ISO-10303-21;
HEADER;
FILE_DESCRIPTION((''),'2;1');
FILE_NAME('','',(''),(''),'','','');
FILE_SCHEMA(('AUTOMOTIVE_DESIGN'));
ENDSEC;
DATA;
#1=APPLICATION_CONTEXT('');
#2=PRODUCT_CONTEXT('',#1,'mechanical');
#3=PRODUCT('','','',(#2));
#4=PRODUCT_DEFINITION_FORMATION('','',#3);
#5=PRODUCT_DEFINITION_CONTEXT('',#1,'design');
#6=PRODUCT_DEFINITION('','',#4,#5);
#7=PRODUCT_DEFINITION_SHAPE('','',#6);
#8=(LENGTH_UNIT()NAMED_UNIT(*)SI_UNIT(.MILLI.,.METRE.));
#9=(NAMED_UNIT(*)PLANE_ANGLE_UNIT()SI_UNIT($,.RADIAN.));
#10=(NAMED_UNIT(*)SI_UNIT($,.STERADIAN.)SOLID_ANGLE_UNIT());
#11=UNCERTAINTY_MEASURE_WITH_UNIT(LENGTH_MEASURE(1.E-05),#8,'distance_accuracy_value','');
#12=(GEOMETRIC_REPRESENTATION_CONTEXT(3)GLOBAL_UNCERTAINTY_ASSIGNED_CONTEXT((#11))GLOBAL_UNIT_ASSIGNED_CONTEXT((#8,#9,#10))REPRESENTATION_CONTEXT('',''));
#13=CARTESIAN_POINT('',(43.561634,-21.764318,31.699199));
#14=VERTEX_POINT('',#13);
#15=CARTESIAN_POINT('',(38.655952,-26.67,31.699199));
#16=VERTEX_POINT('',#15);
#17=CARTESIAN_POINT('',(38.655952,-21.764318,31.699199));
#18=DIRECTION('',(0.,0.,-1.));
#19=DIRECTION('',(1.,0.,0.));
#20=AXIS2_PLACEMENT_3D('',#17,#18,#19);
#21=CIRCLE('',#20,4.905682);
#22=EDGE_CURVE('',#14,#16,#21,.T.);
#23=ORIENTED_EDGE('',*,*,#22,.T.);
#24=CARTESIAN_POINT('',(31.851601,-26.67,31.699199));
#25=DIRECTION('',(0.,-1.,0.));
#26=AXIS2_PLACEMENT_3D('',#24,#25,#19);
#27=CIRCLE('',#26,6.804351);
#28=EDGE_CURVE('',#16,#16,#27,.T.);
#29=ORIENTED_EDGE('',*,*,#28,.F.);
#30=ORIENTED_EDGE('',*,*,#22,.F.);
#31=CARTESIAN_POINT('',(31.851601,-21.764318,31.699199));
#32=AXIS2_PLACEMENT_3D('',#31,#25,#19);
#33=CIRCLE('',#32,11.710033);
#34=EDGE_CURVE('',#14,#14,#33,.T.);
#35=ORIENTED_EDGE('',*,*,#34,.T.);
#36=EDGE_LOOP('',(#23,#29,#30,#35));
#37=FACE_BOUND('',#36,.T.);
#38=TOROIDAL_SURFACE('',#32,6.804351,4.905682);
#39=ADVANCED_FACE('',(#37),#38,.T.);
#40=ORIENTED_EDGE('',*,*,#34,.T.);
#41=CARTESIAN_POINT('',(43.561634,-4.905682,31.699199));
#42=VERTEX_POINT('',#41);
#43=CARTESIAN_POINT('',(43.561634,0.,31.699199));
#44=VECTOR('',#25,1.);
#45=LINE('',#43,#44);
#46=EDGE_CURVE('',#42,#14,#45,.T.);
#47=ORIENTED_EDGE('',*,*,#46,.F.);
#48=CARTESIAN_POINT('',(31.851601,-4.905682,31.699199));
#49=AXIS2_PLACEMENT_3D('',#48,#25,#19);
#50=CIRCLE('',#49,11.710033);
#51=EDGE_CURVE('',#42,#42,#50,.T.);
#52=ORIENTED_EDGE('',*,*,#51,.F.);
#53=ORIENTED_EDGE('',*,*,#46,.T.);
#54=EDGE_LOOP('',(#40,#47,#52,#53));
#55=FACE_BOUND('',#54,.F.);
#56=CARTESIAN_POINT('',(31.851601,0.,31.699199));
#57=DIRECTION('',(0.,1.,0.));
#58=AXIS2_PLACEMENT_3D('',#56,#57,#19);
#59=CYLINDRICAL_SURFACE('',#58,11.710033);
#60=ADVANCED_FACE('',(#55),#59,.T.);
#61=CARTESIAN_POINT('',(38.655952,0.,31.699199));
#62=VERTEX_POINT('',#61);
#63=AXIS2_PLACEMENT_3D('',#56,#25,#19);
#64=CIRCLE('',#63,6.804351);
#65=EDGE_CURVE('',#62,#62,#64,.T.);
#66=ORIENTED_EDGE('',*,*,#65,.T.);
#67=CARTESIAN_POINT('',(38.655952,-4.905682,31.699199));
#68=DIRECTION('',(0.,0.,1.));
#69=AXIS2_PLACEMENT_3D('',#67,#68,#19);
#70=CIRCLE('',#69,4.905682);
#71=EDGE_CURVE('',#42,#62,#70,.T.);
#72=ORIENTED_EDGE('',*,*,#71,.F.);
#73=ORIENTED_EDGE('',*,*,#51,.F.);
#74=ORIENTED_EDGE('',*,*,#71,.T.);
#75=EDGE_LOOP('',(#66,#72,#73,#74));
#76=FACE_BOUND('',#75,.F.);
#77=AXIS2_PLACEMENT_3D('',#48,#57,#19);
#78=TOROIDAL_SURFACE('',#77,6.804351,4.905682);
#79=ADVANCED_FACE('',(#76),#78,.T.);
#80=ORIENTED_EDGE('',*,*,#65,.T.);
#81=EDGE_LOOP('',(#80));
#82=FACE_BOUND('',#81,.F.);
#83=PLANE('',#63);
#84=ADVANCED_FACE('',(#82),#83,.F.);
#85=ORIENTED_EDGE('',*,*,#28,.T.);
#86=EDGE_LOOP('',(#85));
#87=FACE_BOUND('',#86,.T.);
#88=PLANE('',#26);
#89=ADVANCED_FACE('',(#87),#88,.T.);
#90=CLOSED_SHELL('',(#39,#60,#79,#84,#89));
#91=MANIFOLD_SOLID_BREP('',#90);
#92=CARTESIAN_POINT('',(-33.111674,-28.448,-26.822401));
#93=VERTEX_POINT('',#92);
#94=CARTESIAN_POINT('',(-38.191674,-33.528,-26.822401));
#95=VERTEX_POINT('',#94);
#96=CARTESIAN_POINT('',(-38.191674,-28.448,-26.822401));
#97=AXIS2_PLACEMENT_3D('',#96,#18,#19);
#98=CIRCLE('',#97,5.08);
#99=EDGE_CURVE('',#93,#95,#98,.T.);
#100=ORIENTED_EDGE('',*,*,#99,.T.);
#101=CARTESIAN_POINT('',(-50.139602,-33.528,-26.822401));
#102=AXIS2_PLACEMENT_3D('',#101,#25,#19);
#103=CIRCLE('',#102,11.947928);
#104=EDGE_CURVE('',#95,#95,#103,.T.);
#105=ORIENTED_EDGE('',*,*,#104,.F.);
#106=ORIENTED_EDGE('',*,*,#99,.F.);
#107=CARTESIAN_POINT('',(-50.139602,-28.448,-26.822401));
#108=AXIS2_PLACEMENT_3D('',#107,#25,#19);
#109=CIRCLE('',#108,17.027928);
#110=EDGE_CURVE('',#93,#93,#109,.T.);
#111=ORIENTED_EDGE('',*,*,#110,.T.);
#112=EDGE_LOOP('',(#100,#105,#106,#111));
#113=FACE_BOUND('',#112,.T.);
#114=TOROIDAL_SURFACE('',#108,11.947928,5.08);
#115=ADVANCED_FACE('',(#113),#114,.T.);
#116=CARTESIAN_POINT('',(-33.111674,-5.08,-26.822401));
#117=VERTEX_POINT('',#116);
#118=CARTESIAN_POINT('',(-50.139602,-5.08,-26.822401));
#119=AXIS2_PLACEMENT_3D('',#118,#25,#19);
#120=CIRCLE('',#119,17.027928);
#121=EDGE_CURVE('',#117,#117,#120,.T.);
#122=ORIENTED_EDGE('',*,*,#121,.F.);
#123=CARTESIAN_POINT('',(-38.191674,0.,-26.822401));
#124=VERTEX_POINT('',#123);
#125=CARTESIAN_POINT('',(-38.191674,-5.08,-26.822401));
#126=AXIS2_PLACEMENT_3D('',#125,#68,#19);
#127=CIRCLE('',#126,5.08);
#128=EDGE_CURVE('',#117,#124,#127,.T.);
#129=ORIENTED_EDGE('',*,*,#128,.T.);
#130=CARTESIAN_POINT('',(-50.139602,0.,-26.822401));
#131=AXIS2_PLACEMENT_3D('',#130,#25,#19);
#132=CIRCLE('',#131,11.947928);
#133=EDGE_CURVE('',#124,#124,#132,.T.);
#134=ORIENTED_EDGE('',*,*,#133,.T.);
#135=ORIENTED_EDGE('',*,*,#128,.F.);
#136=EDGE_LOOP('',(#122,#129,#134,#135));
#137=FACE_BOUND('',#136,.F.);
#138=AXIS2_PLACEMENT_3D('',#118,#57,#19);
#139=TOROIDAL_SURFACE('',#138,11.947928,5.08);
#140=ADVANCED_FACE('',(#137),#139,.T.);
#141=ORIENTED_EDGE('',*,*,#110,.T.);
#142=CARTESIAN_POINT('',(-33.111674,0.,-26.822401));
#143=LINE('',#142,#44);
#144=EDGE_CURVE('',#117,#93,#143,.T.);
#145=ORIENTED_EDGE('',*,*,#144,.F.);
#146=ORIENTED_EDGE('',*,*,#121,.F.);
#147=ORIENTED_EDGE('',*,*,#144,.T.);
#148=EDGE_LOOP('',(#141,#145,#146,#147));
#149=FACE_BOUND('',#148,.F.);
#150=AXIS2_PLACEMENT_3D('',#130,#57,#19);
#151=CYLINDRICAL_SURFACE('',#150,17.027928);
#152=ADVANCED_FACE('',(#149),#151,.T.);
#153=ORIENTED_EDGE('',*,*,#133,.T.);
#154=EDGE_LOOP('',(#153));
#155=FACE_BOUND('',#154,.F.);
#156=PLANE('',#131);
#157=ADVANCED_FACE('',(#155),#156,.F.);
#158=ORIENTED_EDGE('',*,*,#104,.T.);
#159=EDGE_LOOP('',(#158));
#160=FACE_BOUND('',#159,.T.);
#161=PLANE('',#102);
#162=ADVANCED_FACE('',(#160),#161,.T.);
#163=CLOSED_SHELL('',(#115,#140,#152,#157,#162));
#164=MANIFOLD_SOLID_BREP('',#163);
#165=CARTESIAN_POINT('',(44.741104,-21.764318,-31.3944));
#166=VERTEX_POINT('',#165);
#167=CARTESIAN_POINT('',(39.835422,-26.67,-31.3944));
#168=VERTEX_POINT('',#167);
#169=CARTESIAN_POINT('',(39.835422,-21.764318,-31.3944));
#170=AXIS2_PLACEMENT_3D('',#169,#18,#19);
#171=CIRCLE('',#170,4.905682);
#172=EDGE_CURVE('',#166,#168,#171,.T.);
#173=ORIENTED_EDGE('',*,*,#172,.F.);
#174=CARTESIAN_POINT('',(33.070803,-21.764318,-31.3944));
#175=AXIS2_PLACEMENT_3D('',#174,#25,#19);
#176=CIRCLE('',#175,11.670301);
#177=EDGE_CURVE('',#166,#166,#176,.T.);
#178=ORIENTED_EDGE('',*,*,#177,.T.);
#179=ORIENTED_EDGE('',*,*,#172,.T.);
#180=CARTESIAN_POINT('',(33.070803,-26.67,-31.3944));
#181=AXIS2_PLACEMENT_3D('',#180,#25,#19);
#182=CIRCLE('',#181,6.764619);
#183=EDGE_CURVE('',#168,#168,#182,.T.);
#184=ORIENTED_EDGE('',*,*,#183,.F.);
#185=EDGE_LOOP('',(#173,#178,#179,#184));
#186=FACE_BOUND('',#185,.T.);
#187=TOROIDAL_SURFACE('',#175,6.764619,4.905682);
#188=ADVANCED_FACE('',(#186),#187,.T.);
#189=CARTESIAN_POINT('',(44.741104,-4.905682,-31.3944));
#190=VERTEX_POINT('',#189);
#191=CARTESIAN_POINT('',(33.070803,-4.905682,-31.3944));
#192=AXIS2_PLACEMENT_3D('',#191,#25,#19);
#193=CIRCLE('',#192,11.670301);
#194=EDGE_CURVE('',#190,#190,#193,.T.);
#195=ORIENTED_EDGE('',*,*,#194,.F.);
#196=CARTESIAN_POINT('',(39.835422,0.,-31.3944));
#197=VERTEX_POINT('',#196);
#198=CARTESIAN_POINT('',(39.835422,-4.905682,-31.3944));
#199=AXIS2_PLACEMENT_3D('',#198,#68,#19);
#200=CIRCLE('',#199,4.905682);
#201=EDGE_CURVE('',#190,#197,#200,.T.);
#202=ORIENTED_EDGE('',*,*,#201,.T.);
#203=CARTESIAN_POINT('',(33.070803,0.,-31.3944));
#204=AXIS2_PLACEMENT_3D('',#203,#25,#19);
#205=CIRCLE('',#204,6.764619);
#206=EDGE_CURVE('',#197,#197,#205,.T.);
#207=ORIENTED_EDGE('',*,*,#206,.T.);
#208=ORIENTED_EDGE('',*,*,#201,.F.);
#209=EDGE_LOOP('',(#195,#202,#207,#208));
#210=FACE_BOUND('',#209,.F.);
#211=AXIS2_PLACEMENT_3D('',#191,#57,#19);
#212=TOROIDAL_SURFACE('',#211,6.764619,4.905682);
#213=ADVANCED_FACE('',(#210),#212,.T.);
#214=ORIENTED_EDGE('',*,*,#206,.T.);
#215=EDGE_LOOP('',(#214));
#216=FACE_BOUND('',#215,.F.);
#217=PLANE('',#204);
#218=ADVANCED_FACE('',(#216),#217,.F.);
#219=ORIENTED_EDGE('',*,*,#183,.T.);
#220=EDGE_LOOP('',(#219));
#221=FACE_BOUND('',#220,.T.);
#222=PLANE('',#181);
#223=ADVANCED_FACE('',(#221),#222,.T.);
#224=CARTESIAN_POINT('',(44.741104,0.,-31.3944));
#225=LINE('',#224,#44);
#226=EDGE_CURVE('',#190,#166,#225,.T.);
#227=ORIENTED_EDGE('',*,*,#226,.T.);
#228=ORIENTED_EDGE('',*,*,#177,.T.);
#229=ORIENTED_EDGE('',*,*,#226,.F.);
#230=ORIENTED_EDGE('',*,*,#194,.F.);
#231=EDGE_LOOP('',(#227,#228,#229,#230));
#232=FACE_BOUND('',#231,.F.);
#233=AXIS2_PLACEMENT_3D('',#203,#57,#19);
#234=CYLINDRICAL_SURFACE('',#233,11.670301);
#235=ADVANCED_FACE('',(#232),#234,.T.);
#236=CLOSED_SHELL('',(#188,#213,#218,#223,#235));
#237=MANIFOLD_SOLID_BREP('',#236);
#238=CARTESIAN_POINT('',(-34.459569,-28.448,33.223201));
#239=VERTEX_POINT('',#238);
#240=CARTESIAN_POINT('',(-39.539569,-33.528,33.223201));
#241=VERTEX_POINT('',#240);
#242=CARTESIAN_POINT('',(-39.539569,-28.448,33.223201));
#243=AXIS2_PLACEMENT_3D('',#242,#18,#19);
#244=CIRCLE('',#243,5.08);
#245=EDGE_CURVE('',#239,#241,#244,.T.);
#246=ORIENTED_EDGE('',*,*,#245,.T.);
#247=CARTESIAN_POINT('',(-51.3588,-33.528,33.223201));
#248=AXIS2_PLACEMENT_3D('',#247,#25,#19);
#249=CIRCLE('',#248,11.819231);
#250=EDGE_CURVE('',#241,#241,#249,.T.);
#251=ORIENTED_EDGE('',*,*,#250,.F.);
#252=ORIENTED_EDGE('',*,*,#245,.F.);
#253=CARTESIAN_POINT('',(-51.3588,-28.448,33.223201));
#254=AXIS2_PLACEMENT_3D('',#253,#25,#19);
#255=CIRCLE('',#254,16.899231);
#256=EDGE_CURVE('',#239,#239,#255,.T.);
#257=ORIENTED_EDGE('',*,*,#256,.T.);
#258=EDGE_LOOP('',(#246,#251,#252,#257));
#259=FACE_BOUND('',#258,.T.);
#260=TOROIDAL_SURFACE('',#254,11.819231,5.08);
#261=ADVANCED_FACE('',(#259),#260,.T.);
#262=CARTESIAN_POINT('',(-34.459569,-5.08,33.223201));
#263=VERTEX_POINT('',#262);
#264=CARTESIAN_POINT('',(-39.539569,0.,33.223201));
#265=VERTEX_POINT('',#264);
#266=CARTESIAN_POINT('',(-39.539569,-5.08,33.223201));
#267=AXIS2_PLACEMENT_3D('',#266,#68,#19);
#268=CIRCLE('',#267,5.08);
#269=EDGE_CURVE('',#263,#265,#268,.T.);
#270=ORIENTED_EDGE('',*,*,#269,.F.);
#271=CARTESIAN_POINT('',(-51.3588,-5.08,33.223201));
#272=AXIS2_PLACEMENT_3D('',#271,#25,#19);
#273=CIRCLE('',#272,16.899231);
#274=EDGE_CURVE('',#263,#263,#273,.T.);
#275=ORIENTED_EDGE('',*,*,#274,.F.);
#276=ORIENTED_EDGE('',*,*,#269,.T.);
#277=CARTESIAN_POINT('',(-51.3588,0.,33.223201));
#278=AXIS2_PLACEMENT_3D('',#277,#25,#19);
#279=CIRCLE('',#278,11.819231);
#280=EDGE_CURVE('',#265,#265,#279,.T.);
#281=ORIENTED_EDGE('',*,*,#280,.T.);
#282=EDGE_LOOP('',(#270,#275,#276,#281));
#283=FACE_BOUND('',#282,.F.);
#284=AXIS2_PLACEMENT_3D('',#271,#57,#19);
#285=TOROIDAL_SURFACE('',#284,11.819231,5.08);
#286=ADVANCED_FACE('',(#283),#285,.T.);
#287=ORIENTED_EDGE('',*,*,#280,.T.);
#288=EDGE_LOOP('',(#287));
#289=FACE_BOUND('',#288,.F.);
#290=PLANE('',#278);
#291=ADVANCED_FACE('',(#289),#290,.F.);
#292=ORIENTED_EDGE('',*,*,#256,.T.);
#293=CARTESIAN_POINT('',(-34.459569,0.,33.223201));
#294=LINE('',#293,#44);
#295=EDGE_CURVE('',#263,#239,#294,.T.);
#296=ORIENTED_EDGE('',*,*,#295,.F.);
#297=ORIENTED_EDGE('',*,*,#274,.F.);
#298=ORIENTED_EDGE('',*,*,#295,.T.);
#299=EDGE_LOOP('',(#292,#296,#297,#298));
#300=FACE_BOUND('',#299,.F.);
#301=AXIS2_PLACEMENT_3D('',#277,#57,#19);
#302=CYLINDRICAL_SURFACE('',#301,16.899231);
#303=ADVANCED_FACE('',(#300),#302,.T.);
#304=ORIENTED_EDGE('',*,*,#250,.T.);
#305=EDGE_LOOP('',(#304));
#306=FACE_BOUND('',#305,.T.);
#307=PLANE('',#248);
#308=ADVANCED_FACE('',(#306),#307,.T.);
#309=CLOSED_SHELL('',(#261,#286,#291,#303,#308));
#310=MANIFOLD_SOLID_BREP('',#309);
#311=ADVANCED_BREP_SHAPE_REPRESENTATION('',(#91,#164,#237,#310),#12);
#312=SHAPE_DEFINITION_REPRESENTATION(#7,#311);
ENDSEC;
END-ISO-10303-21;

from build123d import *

# Parameters (mm, degrees)
F0_R     = 17.027928
F0_R_2   = 16.899231
F1_DEPTH = 33.528
F2_R     = 5.08
F0_R_3   = 11.670301
F0_R_4   = 11.710033
F3_DEPTH = 26.67
F4_R     = 4.905682


with BuildPart() as f1:
    # F0 (on Front) → F1 (new body)
    with BuildSketch(Plane.XZ):
        with Locations((-50.139602, -26.822401)):
            Circle(F0_R)
        with Locations((-51.3588, 33.223201)):
            Circle(F0_R_2)
    extrude(amount=F1_DEPTH)

    # F2
    f2_edges = [f1.edges().sort_by_distance(p)[0] for p in [
        (-68.258031, -33.528, 33.223201),
        (-68.258031, 0, 33.223201),
        (-67.16753, -33.528, -26.822401),
        (-67.16753, 0, -26.822401),
    ]]
    fillet(f2_edges, radius=F2_R)


with BuildPart() as f3:
    # F0 (on Front) → F3 (new body)
    with BuildSketch(Plane.XZ):
        with Locations((33.070803, -31.3944)):
            Circle(F0_R_3)
        with Locations((31.851601, 31.699199)):
            Circle(F0_R_4)
    extrude(amount=F3_DEPTH)

    # F4
    f4_edges = [f3.edges().sort_by_distance(p)[0] for p in [
        (21.400502, 0, -31.3944),
        (21.400502, -26.67, -31.3944),
        (20.141568, -26.67, 31.699199),
        (20.141568, 0, 31.699199),
    ]]
    fillet(f4_edges, radius=F4_R)


solid = Compound([f1.part, f3.part])
